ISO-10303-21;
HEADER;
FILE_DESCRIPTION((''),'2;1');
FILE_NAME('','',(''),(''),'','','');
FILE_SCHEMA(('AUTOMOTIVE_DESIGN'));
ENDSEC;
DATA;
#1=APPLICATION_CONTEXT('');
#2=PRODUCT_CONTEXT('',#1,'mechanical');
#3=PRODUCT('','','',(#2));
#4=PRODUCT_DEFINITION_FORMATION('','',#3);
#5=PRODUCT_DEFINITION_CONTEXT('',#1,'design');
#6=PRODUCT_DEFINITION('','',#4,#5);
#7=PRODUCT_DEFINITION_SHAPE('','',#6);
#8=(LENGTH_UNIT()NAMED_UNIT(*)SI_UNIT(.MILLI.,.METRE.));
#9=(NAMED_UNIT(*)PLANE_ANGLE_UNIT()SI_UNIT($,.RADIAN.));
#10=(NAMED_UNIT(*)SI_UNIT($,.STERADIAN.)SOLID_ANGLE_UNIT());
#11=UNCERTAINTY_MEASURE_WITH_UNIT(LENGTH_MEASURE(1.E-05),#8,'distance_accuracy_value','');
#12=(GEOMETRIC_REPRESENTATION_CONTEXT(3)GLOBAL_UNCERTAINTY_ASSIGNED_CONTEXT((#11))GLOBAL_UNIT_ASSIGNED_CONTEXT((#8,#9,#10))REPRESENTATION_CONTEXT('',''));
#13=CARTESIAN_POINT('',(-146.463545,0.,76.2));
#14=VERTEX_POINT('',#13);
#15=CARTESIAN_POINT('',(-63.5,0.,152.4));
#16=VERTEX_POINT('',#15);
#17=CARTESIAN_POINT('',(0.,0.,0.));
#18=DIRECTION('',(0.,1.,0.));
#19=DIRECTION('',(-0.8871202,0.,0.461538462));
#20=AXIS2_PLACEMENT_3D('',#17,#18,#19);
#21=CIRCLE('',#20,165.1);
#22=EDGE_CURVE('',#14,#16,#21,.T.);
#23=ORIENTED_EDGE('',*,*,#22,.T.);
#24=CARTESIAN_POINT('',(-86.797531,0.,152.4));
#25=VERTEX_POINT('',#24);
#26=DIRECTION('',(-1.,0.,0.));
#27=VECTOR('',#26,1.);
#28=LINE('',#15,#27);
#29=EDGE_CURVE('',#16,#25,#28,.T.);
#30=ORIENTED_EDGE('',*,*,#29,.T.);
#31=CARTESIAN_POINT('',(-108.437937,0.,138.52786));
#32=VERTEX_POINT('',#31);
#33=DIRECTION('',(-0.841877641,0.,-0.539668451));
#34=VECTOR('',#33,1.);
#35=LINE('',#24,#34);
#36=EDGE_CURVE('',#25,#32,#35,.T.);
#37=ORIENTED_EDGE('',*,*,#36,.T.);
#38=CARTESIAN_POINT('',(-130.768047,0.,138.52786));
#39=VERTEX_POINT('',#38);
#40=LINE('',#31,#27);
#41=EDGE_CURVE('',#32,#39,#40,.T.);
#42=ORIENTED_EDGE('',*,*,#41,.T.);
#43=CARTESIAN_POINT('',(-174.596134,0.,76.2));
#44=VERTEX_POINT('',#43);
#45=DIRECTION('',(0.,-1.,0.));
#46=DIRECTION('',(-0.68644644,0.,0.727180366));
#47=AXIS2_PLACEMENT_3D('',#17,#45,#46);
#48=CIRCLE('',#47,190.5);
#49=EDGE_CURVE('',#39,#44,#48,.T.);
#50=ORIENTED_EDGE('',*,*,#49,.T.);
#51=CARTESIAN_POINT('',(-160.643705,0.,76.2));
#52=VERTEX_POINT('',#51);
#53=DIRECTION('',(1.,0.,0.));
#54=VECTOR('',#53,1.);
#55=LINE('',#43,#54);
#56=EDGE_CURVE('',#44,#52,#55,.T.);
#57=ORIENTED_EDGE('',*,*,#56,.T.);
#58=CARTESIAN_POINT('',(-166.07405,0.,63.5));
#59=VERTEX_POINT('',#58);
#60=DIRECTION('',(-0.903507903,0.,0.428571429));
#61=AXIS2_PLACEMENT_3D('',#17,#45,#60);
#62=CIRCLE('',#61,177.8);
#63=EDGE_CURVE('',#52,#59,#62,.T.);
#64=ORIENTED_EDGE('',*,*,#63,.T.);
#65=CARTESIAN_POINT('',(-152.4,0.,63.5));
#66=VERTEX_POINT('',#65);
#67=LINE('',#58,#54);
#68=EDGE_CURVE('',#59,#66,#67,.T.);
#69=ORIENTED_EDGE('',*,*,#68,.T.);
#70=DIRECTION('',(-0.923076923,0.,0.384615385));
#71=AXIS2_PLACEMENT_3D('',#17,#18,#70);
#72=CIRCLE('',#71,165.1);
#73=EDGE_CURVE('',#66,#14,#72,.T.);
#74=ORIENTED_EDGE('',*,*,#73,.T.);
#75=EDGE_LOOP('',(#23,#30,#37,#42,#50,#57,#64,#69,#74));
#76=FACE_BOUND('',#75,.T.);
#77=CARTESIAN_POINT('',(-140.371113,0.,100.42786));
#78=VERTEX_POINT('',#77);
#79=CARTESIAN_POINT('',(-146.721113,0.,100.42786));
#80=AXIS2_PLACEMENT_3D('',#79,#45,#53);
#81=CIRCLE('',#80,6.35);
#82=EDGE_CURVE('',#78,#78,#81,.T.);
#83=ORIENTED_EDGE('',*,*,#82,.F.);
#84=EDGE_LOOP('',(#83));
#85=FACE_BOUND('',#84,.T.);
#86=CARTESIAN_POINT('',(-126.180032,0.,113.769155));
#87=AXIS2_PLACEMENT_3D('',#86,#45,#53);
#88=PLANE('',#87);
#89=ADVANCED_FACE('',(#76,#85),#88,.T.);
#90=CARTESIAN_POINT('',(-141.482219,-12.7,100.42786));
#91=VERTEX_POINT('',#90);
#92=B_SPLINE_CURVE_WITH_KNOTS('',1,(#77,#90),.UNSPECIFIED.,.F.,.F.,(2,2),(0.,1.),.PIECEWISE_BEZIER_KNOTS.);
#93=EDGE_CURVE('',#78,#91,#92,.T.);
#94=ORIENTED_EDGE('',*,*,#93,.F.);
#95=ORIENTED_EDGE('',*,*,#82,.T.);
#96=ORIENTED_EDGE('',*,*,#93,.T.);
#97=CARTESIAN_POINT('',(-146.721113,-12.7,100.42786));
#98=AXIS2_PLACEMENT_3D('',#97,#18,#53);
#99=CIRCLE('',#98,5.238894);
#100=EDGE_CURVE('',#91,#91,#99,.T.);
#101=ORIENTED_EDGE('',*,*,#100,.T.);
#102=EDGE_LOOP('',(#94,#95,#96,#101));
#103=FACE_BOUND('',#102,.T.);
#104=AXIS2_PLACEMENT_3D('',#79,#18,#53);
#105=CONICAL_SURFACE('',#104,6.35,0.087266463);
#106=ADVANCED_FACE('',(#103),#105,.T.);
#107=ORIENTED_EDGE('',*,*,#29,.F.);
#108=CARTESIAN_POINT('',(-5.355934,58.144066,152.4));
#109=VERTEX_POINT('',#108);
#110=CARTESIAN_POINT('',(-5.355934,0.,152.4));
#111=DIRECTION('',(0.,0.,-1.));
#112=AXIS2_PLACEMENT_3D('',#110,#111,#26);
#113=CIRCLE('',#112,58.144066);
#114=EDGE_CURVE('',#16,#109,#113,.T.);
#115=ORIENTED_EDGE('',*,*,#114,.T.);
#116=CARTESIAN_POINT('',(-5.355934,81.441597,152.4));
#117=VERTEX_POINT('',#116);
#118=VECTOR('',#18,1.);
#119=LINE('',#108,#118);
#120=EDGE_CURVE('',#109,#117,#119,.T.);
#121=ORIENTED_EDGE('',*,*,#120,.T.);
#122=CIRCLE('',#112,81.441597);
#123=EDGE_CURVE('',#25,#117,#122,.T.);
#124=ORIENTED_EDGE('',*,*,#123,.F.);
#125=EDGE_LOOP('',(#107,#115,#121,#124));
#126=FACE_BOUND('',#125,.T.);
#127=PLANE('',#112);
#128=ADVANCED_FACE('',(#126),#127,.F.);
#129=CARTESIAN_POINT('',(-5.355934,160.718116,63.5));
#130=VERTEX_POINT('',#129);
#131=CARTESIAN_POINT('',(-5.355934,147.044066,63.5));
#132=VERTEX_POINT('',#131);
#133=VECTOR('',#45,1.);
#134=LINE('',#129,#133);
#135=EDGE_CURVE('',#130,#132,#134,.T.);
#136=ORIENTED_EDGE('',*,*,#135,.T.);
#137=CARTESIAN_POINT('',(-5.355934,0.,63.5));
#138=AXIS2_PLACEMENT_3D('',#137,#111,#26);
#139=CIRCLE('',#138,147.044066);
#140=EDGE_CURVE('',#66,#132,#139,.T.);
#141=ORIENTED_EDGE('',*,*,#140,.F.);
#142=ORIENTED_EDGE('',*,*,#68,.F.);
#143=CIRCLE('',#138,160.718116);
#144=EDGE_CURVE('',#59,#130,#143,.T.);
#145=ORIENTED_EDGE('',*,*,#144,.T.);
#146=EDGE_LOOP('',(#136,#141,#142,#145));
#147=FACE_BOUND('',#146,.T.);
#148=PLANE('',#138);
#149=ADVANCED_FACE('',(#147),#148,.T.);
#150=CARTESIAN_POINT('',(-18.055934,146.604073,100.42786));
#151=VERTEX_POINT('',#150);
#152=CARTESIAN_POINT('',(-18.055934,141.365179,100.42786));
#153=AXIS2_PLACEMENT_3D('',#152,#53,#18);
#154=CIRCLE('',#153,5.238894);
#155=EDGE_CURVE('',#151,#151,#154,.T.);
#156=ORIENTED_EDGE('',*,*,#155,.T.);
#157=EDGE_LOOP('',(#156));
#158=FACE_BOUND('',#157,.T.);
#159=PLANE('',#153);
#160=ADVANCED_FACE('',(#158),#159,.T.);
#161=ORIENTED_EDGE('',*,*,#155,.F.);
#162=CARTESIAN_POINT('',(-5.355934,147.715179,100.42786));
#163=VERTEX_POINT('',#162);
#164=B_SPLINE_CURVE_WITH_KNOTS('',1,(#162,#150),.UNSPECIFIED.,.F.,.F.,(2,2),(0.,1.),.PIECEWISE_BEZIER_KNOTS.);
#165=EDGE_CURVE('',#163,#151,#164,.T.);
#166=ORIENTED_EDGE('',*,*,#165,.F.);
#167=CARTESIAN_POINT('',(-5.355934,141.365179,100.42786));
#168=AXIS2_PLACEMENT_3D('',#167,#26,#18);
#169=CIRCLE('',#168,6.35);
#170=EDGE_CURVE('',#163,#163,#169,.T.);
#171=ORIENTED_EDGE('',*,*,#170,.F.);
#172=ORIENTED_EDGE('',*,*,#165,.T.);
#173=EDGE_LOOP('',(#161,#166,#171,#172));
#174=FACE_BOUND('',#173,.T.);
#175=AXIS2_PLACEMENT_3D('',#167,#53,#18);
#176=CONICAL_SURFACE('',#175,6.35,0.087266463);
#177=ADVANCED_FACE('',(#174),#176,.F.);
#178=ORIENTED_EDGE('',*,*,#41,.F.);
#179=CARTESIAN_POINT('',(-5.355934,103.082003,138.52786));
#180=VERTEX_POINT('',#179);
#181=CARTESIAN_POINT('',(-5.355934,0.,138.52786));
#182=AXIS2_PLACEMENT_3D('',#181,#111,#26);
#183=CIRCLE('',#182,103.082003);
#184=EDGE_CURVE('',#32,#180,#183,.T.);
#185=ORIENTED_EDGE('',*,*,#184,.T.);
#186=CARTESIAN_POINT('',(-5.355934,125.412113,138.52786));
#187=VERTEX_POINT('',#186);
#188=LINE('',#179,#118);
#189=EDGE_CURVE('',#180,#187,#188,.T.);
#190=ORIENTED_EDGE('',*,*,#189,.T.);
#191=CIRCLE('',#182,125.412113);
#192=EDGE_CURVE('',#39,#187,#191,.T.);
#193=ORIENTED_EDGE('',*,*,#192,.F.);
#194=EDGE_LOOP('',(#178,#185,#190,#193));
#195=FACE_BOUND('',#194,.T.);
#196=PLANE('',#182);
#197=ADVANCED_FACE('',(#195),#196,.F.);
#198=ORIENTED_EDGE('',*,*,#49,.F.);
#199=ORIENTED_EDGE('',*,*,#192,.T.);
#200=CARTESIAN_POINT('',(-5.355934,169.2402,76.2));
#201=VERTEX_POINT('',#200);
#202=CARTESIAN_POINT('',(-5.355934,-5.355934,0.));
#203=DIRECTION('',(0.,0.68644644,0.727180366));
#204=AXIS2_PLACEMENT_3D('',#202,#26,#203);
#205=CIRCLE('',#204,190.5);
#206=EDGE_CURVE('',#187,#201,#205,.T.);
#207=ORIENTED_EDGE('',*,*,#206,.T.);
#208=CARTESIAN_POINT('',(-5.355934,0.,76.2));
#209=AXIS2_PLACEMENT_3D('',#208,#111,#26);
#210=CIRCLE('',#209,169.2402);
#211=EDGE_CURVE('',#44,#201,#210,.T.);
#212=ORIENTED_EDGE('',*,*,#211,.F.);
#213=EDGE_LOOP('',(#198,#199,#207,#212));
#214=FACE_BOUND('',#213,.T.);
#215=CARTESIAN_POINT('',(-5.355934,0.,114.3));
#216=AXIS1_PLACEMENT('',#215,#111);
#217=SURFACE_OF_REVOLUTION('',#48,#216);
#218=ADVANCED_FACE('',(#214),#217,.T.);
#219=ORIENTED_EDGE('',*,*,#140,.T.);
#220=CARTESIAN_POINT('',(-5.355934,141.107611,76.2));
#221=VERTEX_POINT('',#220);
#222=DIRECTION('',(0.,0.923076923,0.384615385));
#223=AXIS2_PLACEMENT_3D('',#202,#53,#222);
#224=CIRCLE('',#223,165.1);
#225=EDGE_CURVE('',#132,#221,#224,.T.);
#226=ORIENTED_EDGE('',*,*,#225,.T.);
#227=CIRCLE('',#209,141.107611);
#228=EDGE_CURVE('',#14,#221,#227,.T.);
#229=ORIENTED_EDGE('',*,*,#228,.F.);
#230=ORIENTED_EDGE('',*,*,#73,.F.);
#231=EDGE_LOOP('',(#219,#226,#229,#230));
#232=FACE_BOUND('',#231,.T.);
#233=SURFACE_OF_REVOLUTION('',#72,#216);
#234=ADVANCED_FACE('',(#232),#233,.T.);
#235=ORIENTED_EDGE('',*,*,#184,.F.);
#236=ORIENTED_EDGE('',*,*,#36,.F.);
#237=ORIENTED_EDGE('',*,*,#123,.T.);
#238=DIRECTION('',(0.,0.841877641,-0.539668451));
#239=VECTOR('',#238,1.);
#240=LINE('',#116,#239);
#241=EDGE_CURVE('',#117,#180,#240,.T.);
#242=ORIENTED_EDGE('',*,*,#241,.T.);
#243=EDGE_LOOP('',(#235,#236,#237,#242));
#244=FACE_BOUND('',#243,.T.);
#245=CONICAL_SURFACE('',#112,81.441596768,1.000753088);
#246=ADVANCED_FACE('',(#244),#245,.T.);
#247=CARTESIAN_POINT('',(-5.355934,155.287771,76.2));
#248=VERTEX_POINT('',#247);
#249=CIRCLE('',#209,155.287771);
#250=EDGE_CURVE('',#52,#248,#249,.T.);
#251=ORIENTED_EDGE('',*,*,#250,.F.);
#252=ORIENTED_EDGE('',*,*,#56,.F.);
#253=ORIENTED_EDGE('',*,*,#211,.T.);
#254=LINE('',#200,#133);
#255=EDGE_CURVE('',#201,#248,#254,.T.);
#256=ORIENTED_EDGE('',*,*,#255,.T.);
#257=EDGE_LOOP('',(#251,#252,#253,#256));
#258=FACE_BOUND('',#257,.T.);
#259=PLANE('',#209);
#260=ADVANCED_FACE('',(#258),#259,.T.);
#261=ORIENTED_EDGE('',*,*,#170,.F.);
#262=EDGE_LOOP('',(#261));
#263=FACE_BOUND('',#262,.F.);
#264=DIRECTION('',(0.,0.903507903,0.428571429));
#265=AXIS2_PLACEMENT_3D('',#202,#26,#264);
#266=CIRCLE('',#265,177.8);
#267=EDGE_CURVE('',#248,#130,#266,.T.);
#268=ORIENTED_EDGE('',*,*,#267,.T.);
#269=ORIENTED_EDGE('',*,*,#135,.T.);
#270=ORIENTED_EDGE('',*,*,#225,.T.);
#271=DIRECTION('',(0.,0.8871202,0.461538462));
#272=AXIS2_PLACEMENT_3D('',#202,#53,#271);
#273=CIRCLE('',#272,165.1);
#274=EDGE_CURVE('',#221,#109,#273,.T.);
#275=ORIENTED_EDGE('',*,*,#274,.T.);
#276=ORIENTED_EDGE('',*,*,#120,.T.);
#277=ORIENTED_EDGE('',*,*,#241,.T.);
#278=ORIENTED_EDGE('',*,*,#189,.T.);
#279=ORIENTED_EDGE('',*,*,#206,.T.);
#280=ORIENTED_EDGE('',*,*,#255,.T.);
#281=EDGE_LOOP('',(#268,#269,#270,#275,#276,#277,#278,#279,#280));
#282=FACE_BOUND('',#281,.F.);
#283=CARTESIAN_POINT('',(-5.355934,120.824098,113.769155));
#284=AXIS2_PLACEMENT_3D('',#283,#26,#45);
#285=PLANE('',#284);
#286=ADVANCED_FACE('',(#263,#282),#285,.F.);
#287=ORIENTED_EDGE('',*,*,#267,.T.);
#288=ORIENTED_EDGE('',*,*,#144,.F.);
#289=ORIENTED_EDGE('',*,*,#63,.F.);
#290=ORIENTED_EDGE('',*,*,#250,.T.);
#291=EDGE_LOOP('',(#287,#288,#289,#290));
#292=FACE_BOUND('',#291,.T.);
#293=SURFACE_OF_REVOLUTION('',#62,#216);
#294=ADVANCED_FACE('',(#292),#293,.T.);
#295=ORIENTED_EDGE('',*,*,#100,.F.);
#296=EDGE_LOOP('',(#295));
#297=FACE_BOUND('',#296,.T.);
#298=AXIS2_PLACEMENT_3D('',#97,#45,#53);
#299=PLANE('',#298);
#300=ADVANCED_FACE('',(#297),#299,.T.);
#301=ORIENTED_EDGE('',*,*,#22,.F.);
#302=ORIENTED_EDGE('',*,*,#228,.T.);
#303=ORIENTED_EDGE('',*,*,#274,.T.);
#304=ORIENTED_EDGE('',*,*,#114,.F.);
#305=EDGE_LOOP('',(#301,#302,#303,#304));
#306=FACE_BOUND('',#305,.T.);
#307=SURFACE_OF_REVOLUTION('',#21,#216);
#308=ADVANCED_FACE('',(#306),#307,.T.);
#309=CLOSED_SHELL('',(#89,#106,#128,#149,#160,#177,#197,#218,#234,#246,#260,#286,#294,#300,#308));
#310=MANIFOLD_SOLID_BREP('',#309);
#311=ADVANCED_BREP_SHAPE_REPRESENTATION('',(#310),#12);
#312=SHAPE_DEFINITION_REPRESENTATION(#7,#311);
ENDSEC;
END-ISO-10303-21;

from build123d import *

# Parameters (mm, degrees)
F1_ANGLE = 90
F2_R     = 6.35
F3_DEPTH = 12.7
F3_TAPER = 5
F4_R     = 6.35
F5_DEPTH = 12.7
F5_TAPER = 5


with BuildPart() as f1:
    # F0 (on Front) → F1 (revolve)
    with BuildSketch(Plane.XZ):
        with BuildLine():
            Line((-108.4379373307, 138.5278597593), (-130.7680468253, 138.5278597593))
            ThreePointArc((-130.7680468253, 138.5278597593), (-155.8300717286, 109.5775467195), (-174.5961339778, 76.2))
            Line((-174.5961339778, 76.2), (-160.6437051366, 76.2))
            ThreePointArc((-160.6437051366, 76.2), (-163.4822477804, 69.9027514527), (-166.0740497489, 63.5))
            Line((-166.0740497489, 63.5), (-152.4, 63.5))
            ThreePointArc((-152.4, 63.5), (-149.5666310557, 69.9130379445), (-146.4635449523, 76.2))
            ThreePointArc((-146.4635449523, 76.2), (-111.6816124178, 121.5945206322), (-63.5, 152.4))
            Line((-63.5, 152.4), (-86.7975307453, 152.4))
            Line((-86.7975307453, 152.4), (-108.4379373307, 138.5278597593))
        make_face()
    revolve(axis=Axis((-5.3559339778, 0, 114.3), (0, 0, -1)), revolution_arc=F1_ANGLE)

    # F2 (on face) → F3 (join)
    with BuildSketch(Plane.XZ):
        with Locations((-146.7211129462, 100.4278597593)):
            Circle(F2_R)
    extrude(amount=F3_DEPTH, taper=F3_TAPER)

    # F4 (on face) → F5 (cut)
    with BuildSketch(Plane.YZ.offset(-5.3559339778)):
        with Locations((141.3651789683, 100.4278597593)):
            Circle(F4_R)
    extrude(amount=-F5_DEPTH, taper=F5_TAPER, mode=Mode.SUBTRACT)


solid = f1.part
